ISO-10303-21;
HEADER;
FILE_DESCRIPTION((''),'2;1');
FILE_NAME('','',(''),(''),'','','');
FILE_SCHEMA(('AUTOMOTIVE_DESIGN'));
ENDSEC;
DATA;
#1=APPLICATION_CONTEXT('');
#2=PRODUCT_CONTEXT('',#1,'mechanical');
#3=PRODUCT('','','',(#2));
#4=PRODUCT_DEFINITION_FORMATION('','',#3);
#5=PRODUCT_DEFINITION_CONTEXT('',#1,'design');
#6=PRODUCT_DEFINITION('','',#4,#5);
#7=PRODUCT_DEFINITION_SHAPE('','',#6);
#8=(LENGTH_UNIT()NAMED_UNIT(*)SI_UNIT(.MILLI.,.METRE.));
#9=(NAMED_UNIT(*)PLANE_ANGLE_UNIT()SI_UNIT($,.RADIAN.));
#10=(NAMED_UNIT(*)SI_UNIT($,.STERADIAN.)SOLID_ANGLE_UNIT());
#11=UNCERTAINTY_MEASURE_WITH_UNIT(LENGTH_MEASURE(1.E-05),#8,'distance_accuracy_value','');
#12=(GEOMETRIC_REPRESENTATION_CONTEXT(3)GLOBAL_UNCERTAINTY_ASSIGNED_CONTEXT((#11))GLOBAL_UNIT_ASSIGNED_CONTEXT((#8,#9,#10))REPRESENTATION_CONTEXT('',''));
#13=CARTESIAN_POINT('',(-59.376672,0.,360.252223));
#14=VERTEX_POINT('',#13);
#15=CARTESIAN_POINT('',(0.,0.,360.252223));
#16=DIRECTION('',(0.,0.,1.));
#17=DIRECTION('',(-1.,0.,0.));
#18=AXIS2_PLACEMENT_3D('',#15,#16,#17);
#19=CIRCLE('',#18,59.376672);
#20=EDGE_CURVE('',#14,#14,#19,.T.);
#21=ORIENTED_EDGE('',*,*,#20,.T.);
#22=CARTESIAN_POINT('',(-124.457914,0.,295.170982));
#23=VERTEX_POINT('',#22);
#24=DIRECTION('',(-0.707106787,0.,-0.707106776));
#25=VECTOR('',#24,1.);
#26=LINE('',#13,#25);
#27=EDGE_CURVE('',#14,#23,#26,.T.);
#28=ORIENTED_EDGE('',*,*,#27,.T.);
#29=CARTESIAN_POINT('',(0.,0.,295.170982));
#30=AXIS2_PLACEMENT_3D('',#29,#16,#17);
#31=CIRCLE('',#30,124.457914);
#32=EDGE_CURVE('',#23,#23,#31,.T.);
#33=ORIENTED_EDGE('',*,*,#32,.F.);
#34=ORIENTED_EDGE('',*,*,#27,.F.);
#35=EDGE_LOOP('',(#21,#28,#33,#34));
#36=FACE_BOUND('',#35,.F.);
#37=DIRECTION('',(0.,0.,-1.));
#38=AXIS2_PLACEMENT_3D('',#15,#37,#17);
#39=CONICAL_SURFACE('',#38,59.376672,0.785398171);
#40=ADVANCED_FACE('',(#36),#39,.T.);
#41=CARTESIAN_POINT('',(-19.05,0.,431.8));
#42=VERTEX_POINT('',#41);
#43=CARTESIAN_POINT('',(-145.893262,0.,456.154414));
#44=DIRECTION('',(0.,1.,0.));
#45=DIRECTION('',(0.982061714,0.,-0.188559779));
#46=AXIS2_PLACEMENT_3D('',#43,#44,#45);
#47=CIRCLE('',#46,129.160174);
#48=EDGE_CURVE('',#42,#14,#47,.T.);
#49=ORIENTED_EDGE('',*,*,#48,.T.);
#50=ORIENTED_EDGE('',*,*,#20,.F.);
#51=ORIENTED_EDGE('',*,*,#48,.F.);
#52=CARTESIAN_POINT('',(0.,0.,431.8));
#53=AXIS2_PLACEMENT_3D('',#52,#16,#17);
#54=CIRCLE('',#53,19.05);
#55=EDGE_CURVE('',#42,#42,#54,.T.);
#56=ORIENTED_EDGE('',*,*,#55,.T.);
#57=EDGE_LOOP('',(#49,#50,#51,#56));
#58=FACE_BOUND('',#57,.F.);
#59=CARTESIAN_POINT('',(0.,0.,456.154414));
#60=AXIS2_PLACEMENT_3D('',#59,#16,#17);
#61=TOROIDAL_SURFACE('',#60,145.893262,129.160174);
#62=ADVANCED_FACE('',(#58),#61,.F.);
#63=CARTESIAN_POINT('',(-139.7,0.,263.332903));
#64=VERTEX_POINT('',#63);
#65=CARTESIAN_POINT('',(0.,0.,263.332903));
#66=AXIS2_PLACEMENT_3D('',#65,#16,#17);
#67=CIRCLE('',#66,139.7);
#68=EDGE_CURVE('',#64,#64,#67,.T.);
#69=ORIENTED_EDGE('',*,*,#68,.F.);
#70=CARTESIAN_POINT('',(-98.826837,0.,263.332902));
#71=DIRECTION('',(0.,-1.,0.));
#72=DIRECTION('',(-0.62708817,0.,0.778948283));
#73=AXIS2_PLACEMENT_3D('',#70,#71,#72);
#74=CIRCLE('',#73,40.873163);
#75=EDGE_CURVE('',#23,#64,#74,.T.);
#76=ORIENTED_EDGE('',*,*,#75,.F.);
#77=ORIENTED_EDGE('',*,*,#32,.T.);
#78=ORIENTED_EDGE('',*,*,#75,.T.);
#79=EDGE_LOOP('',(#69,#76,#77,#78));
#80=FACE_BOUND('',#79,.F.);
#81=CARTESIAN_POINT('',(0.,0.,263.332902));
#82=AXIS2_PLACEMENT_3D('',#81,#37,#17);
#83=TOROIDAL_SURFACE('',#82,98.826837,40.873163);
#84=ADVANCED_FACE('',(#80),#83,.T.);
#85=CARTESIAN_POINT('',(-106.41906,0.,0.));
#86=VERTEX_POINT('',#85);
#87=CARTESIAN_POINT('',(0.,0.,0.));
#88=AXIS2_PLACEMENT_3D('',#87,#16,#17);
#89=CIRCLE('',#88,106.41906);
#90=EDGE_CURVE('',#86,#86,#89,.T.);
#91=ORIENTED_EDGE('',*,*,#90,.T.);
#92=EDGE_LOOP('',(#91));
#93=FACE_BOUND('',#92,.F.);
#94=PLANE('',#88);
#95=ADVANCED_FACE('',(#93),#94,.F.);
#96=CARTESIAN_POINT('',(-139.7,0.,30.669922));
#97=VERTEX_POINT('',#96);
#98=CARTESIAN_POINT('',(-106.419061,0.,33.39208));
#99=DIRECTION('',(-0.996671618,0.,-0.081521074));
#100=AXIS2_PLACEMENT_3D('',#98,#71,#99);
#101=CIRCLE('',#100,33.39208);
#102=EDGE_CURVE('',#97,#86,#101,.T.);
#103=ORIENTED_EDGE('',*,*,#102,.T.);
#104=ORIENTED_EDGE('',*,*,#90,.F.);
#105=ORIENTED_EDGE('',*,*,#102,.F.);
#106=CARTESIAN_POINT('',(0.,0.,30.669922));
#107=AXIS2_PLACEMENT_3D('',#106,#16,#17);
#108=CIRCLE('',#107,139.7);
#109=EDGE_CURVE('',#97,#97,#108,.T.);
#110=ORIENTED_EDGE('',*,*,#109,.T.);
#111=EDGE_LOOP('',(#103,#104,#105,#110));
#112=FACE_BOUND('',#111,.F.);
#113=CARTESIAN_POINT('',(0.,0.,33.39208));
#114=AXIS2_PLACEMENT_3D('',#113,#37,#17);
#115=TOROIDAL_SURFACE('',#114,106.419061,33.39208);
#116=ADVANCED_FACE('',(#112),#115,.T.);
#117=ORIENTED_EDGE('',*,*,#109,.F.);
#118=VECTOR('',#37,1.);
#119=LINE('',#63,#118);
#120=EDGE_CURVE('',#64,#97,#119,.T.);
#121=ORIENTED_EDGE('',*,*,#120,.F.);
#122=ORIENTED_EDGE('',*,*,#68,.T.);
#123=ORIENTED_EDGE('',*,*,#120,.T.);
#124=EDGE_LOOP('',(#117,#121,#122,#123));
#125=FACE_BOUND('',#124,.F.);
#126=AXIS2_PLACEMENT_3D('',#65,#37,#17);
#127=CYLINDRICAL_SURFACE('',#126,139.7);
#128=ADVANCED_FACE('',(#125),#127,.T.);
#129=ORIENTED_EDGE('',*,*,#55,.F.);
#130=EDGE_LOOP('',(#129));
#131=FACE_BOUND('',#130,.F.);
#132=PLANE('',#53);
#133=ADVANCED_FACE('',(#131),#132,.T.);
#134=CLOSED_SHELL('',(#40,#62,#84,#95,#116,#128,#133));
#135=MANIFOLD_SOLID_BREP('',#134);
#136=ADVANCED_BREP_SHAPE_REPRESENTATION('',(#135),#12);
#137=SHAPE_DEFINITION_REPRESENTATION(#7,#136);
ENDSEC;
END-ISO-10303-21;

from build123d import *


with BuildPart() as f1:
    # F0 (on Front) → F1 (revolve)
    with BuildSketch(Plane.XZ):
        with BuildLine():
            Line((-106.41906, 0), (0, 0))
            Line((0, 0), (0, 431.8))
            Line((0, 431.8), (-19.05, 431.8))
            ThreePointArc((-19.05, 431.8), (-33.374918, 392.735388), (-59.376672, 360.252223))
            Line((-59.376672, 360.252223), (-124.457914, 295.170982))
            ThreePointArc((-124.457914, 295.170982), (-135.693072, 280.982156), (-139.7, 263.332903))
            Line((-139.7, 263.332903), (-139.7, 30.669922))
            ThreePointArc((-139.7, 30.669922), (-129.047942, 8.836739), (-106.41906, 0))
        make_face()
    revolve(axis=Axis((0, 0, 215.9), (0, 0, 1)))


solid = f1.part
